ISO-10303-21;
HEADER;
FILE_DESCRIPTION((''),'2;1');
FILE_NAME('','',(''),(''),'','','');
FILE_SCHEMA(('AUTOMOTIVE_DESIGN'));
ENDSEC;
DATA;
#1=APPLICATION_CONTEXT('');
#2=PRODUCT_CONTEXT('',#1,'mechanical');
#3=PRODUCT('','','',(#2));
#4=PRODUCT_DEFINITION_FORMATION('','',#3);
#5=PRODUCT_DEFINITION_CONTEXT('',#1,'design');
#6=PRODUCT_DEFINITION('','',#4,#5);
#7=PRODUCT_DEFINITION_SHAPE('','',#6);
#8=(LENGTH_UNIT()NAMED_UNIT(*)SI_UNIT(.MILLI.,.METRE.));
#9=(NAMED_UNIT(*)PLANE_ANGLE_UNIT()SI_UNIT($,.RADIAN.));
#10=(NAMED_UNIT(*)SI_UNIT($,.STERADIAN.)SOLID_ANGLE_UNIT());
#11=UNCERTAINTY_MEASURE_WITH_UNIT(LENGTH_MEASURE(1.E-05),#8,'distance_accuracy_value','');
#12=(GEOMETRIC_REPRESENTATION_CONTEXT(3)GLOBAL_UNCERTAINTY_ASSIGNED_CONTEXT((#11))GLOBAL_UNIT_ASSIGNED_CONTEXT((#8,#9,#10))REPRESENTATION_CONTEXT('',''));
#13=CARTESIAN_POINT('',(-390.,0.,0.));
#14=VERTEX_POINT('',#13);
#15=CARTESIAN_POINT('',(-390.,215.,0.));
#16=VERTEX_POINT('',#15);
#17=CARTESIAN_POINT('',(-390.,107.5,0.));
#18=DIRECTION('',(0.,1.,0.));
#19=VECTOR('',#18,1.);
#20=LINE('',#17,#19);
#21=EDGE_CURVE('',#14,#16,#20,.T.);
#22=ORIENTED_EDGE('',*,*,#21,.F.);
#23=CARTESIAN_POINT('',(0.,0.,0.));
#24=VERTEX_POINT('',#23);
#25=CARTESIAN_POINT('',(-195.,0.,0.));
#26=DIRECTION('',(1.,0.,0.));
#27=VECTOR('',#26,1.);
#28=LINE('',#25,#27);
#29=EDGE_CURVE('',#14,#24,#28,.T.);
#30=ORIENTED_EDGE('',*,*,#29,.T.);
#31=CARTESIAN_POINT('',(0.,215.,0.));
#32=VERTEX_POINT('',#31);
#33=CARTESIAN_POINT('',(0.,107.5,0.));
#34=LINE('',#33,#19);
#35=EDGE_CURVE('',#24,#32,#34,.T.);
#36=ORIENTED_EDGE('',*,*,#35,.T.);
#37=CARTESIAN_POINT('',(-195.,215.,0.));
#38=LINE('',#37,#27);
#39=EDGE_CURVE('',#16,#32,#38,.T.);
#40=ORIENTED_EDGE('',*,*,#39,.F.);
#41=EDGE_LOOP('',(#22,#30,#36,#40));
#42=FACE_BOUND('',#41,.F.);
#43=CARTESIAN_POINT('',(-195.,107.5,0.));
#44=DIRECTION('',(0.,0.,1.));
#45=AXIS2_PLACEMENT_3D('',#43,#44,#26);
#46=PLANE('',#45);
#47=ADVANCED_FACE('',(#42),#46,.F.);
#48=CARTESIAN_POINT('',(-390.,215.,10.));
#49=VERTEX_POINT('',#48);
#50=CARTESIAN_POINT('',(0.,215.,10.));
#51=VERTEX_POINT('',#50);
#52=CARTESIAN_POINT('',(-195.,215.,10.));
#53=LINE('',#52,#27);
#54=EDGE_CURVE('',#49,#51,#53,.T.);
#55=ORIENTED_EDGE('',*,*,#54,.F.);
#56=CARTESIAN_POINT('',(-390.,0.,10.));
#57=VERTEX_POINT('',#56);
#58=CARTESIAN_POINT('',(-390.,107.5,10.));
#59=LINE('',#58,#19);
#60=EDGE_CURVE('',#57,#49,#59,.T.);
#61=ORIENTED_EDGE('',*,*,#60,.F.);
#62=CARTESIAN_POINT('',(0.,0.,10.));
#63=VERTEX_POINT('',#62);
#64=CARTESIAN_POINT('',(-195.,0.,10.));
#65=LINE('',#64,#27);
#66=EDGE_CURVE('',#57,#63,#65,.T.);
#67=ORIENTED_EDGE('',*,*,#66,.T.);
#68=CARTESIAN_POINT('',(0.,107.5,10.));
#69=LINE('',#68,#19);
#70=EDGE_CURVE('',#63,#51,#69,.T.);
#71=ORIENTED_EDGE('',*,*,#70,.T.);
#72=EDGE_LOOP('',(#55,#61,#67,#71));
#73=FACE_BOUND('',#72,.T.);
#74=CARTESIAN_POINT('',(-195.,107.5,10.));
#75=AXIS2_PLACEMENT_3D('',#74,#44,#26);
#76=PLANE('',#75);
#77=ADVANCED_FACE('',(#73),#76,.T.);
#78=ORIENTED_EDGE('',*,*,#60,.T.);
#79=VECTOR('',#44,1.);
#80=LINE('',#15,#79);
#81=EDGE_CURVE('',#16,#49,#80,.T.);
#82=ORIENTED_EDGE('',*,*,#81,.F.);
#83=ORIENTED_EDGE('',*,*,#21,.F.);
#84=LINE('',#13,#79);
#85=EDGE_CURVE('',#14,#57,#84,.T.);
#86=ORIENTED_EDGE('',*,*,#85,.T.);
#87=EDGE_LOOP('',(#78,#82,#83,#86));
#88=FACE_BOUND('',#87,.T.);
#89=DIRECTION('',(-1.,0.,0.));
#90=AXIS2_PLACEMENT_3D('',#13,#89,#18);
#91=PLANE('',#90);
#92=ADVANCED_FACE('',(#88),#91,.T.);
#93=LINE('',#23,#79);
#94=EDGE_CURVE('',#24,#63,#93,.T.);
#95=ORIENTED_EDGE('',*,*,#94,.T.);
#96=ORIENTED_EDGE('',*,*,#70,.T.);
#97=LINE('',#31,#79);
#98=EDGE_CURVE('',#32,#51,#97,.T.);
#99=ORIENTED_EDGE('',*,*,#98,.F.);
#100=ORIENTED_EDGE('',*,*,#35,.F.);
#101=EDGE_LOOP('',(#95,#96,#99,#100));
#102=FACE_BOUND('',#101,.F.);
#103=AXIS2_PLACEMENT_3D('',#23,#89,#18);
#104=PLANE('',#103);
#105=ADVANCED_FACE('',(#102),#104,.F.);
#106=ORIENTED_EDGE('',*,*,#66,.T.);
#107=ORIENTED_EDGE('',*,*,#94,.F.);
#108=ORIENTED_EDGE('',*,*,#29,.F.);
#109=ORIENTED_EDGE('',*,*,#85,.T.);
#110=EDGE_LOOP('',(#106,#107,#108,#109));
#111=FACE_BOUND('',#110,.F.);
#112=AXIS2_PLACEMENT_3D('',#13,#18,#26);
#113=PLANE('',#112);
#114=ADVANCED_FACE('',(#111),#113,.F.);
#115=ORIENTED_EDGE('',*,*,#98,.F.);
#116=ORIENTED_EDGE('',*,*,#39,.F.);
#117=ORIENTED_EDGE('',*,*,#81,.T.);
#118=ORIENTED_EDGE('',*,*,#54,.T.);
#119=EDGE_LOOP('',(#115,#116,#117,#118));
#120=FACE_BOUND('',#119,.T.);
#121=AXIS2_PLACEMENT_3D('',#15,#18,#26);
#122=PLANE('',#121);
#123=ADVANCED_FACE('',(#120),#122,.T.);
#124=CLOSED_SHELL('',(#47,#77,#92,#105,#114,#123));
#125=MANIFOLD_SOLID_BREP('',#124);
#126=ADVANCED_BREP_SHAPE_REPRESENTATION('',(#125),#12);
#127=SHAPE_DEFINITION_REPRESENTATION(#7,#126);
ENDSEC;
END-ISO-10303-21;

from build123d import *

# Parameters (mm, degrees)
SKETCH_W  = 390
SKETCH_H  = 215
PAD_DEPTH = 10


with BuildPart() as part:
    # Sketch → Pad (new body)
    with BuildSketch(Plane.XY):
        with Locations((-195, 107.5)):
            Rectangle(SKETCH_W, SKETCH_H)
    extrude(amount=PAD_DEPTH)


solid = part.part
